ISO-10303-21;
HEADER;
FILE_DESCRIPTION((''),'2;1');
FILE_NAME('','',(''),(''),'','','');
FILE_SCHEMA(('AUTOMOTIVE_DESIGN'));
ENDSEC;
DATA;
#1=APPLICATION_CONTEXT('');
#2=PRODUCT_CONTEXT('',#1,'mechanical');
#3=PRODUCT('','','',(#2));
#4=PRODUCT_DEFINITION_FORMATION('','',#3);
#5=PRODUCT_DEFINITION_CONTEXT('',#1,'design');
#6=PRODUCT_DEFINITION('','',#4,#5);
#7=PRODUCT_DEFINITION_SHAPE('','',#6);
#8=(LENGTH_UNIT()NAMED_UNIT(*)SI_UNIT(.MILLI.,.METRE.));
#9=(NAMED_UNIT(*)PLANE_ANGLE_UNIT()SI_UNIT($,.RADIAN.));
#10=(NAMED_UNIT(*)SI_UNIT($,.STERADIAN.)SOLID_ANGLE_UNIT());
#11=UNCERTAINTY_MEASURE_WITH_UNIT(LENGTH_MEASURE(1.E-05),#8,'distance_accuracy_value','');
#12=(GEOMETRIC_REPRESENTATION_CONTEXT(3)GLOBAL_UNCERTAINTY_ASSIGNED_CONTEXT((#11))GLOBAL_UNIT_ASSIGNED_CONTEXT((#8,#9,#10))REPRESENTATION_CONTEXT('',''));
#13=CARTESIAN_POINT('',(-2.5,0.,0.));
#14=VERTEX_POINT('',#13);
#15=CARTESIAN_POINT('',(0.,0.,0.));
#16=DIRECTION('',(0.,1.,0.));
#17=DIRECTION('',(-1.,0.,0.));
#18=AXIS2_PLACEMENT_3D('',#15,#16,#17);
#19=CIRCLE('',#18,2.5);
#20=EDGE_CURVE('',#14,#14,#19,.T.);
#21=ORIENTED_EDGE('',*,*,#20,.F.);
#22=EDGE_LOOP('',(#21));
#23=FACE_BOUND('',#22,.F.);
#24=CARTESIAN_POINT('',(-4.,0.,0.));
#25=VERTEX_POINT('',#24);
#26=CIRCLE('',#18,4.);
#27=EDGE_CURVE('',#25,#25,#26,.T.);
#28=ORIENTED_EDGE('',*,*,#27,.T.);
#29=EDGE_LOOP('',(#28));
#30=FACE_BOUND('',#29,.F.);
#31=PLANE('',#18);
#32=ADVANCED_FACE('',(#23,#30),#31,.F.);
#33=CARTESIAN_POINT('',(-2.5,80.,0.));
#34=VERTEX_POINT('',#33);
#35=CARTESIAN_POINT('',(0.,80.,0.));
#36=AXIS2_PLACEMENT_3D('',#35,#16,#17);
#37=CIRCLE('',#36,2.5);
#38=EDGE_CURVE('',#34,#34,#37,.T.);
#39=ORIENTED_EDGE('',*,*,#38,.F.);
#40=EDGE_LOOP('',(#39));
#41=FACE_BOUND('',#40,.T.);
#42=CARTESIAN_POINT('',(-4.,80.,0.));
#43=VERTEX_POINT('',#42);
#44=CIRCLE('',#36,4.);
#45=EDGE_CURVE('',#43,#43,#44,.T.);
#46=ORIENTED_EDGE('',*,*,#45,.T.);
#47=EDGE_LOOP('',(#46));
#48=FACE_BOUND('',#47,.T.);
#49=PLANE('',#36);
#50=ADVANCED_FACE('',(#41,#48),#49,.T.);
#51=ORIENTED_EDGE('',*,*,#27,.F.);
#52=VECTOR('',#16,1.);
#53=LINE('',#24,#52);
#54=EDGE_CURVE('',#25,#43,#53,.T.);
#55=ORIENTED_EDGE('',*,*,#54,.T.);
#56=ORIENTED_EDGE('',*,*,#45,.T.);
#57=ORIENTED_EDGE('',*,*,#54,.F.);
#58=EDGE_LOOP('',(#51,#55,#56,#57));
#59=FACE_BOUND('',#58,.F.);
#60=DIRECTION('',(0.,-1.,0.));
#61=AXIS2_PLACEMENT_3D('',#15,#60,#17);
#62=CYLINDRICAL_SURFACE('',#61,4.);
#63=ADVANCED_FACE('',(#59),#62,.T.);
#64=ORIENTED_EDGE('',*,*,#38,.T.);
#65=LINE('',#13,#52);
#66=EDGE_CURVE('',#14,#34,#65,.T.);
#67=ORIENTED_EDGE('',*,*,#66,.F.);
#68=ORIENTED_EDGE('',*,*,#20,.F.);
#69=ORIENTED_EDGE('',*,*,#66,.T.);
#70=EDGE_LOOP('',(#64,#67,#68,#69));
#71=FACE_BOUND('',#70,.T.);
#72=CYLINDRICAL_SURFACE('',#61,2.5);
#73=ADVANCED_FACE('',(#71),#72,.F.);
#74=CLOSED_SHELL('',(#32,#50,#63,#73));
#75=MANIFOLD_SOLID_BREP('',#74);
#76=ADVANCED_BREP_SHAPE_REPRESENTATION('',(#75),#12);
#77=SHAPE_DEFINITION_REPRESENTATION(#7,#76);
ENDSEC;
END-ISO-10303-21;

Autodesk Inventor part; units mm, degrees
ref_plane "YZ Plane" through (0, 0, 0) normal (1, 0, 0) x (0, 1, 0)
ref_plane "XZ Plane" through (0, 0, 0) normal (0, 1, 0) x (-1, 0, 0)
ref_plane "XY Plane" through (0, 0, 0) normal (0, 0, 1) x (1, 0, 0)
sketch "Sketch1" plane through (0, 0, 0) normal (0, 1, 0) x (-1, 0, 0)
  circle A0 centre (0, 0) radius 4
  circle A1 centre (0, 0) radius 2.5
  dimension "d0" = 8
  dimension "d1" = 5
extrude "Extrusion1" add sketch "Sketch1" along normal blind 80
